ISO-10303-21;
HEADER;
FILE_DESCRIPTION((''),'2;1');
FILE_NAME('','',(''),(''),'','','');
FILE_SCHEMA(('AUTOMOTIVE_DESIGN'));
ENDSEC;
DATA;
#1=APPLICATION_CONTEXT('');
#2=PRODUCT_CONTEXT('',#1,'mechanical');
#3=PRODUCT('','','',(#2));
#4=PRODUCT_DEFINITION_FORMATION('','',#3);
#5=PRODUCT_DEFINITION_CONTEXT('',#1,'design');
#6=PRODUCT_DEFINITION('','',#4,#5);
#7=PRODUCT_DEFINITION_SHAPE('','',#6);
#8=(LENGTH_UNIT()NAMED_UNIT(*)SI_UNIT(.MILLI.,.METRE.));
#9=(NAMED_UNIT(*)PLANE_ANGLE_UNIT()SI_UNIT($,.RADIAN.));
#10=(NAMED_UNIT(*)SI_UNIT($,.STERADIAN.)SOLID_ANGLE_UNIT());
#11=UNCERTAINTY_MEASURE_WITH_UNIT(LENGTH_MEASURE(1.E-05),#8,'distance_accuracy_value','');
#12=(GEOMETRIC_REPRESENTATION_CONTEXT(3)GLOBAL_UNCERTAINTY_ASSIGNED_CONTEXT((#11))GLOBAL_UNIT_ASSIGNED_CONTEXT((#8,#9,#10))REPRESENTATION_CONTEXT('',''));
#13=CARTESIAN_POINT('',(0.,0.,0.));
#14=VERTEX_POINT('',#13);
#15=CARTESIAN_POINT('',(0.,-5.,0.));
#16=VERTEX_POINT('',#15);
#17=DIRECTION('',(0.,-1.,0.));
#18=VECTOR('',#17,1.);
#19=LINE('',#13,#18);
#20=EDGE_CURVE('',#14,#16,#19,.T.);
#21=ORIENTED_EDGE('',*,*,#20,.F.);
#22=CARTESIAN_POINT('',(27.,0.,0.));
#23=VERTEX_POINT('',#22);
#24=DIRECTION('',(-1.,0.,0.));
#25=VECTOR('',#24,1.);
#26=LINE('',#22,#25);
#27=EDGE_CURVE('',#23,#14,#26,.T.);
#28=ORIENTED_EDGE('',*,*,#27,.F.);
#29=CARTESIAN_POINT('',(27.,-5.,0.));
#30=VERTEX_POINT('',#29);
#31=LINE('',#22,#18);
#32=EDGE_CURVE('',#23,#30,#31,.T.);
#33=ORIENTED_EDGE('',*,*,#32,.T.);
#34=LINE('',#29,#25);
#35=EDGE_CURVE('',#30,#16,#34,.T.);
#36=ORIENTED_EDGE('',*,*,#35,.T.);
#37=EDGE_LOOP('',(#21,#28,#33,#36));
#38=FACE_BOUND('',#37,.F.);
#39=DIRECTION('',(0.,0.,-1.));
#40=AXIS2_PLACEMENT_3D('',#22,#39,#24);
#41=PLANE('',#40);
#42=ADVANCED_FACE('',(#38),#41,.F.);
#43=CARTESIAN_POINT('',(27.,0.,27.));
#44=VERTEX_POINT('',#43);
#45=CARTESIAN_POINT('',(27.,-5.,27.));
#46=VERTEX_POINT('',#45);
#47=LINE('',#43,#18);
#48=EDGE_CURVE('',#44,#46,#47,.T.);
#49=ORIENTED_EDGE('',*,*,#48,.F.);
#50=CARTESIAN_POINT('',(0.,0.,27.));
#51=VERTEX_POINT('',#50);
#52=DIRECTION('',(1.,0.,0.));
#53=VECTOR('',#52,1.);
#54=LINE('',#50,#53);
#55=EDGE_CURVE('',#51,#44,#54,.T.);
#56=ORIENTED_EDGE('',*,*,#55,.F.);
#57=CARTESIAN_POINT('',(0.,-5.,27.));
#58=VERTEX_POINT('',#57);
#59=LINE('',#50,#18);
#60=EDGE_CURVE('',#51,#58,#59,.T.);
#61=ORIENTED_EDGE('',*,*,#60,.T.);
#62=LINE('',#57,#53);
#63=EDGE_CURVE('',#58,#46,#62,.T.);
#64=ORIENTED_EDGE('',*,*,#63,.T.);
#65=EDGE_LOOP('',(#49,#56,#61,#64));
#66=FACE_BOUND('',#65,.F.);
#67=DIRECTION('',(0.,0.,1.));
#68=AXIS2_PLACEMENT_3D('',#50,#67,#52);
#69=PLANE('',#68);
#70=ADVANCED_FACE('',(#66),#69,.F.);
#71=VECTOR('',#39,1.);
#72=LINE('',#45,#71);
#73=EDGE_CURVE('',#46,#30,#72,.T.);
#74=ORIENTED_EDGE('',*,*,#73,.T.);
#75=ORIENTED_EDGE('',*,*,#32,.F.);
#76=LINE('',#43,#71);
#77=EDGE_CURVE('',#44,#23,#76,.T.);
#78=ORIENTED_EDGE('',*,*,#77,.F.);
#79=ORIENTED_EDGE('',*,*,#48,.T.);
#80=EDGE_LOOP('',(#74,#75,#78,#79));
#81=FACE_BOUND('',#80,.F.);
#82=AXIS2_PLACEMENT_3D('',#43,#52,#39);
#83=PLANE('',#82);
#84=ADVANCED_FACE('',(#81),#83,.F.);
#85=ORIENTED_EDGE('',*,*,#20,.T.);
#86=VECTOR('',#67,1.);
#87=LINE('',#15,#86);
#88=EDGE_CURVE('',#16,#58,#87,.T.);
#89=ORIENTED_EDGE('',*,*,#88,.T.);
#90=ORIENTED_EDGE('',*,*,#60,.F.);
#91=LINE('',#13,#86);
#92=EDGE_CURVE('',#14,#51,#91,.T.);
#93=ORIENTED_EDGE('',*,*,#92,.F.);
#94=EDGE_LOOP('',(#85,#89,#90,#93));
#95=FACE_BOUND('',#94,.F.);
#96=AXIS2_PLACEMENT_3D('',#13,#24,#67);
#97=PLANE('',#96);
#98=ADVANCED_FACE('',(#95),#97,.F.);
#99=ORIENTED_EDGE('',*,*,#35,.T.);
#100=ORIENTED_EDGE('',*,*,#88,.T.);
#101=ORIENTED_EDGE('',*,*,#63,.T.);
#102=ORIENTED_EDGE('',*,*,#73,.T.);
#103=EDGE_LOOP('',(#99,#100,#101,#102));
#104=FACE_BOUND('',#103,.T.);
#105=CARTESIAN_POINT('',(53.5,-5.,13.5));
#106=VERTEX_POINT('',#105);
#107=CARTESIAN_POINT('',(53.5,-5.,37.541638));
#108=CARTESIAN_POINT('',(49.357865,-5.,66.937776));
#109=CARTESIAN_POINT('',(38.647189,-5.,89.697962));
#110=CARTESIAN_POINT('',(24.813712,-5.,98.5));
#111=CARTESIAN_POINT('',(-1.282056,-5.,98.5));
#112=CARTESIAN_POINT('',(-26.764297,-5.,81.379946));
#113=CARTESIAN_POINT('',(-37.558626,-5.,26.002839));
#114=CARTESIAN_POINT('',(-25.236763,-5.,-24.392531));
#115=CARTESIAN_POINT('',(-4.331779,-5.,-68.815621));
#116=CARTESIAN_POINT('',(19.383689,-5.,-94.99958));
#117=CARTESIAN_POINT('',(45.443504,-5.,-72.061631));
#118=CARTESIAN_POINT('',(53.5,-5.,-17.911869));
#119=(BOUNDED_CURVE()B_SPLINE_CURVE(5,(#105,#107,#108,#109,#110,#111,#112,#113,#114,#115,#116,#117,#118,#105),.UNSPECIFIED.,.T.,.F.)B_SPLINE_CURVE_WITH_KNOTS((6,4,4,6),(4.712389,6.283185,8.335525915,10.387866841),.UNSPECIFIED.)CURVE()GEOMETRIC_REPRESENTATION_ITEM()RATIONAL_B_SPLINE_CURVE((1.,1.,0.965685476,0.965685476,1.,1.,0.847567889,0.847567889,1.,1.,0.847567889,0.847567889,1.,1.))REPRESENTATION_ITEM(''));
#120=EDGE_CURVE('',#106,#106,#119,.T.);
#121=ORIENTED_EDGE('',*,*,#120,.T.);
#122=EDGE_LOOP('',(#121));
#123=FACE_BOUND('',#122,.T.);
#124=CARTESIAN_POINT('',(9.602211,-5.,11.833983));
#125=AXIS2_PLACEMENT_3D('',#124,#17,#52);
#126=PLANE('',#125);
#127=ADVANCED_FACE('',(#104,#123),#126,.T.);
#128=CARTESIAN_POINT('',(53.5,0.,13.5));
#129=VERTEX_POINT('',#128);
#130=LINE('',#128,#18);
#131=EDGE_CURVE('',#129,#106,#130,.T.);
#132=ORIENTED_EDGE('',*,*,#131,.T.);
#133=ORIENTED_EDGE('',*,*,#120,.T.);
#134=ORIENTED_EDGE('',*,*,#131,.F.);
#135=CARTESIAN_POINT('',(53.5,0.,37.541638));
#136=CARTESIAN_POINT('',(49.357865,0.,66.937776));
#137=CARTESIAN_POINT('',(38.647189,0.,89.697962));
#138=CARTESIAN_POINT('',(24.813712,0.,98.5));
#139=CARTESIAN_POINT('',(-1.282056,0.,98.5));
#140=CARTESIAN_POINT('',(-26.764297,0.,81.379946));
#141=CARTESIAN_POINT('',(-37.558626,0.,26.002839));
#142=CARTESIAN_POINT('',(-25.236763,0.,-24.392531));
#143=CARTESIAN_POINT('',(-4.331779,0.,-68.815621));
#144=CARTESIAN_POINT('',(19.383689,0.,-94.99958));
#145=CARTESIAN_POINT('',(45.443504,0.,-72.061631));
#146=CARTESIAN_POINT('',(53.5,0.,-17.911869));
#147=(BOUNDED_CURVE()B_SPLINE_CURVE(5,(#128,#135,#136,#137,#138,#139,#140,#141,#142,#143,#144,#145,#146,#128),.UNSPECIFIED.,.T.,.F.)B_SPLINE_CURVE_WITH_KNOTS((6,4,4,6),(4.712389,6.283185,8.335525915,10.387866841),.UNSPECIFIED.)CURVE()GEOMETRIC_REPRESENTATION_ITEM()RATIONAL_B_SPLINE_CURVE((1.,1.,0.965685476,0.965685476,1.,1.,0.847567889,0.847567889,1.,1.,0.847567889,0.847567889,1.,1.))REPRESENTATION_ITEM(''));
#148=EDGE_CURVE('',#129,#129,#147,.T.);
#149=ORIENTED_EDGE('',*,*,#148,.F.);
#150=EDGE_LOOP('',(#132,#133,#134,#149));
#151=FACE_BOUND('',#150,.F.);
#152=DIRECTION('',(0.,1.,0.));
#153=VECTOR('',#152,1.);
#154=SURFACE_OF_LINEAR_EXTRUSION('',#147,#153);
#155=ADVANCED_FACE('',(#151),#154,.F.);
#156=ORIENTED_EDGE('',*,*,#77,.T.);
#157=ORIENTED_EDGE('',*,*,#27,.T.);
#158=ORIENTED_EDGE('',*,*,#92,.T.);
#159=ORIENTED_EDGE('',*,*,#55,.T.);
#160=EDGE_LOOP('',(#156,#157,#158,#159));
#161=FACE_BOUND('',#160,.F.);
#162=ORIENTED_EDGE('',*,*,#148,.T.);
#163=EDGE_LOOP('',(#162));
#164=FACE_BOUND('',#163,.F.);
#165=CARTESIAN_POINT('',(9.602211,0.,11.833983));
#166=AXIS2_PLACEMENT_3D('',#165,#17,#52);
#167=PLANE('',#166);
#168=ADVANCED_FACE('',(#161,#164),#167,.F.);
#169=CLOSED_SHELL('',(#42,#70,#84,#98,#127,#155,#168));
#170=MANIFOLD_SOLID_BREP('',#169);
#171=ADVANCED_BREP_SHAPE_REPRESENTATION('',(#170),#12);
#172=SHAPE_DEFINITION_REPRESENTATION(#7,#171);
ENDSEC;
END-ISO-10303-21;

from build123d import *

# Parameters (mm, degrees)
F2_DEPTH = 5


with BuildPart() as f2:
    # F0 (on Front) → F2 (new body)
    with BuildSketch(Plane.XZ):
        with BuildLine():
            Line((27, 0), (0, 0))
            Line((0, 0), (0, 27))
            Line((0, 27), (13.5, 27))
            Line((13.5, 27), (13.5, 98.5))
            add(Edge.make_bspline(
                [(13.5, 98.5), (-83.068542, 98.5), (-14.784271, -46.604076), (53.5, -191.708153), (53.5, 13.5)],
                knots=[0, 0, 0, 2.356194, 2.356194, 4.712389, 4.712389, 4.712389], degree=2, weights=[1, 0.382683, 1, 0.382683, 1]))
            Line((53.5, 13.5), (27, 13.5))
            Line((27, 13.5), (27, 0))
        make_face()
        with BuildLine():
            Line((27, 27), (27, 13.5))
            Line((27, 13.5), (53.5, 13.5))
            add(Edge.make_bspline(
                [(53.5, 13.5), (53.5, 98.5), (13.5, 98.5)],
                knots=[4.712389, 4.712389, 4.712389, 6.283185, 6.283185, 6.283185], degree=2, weights=[1, 0.707107, 1]))
            Line((13.5, 98.5), (13.5, 27))
            Line((13.5, 27), (27, 27))
        make_face()
    extrude(amount=F2_DEPTH)


solid = f2.part
